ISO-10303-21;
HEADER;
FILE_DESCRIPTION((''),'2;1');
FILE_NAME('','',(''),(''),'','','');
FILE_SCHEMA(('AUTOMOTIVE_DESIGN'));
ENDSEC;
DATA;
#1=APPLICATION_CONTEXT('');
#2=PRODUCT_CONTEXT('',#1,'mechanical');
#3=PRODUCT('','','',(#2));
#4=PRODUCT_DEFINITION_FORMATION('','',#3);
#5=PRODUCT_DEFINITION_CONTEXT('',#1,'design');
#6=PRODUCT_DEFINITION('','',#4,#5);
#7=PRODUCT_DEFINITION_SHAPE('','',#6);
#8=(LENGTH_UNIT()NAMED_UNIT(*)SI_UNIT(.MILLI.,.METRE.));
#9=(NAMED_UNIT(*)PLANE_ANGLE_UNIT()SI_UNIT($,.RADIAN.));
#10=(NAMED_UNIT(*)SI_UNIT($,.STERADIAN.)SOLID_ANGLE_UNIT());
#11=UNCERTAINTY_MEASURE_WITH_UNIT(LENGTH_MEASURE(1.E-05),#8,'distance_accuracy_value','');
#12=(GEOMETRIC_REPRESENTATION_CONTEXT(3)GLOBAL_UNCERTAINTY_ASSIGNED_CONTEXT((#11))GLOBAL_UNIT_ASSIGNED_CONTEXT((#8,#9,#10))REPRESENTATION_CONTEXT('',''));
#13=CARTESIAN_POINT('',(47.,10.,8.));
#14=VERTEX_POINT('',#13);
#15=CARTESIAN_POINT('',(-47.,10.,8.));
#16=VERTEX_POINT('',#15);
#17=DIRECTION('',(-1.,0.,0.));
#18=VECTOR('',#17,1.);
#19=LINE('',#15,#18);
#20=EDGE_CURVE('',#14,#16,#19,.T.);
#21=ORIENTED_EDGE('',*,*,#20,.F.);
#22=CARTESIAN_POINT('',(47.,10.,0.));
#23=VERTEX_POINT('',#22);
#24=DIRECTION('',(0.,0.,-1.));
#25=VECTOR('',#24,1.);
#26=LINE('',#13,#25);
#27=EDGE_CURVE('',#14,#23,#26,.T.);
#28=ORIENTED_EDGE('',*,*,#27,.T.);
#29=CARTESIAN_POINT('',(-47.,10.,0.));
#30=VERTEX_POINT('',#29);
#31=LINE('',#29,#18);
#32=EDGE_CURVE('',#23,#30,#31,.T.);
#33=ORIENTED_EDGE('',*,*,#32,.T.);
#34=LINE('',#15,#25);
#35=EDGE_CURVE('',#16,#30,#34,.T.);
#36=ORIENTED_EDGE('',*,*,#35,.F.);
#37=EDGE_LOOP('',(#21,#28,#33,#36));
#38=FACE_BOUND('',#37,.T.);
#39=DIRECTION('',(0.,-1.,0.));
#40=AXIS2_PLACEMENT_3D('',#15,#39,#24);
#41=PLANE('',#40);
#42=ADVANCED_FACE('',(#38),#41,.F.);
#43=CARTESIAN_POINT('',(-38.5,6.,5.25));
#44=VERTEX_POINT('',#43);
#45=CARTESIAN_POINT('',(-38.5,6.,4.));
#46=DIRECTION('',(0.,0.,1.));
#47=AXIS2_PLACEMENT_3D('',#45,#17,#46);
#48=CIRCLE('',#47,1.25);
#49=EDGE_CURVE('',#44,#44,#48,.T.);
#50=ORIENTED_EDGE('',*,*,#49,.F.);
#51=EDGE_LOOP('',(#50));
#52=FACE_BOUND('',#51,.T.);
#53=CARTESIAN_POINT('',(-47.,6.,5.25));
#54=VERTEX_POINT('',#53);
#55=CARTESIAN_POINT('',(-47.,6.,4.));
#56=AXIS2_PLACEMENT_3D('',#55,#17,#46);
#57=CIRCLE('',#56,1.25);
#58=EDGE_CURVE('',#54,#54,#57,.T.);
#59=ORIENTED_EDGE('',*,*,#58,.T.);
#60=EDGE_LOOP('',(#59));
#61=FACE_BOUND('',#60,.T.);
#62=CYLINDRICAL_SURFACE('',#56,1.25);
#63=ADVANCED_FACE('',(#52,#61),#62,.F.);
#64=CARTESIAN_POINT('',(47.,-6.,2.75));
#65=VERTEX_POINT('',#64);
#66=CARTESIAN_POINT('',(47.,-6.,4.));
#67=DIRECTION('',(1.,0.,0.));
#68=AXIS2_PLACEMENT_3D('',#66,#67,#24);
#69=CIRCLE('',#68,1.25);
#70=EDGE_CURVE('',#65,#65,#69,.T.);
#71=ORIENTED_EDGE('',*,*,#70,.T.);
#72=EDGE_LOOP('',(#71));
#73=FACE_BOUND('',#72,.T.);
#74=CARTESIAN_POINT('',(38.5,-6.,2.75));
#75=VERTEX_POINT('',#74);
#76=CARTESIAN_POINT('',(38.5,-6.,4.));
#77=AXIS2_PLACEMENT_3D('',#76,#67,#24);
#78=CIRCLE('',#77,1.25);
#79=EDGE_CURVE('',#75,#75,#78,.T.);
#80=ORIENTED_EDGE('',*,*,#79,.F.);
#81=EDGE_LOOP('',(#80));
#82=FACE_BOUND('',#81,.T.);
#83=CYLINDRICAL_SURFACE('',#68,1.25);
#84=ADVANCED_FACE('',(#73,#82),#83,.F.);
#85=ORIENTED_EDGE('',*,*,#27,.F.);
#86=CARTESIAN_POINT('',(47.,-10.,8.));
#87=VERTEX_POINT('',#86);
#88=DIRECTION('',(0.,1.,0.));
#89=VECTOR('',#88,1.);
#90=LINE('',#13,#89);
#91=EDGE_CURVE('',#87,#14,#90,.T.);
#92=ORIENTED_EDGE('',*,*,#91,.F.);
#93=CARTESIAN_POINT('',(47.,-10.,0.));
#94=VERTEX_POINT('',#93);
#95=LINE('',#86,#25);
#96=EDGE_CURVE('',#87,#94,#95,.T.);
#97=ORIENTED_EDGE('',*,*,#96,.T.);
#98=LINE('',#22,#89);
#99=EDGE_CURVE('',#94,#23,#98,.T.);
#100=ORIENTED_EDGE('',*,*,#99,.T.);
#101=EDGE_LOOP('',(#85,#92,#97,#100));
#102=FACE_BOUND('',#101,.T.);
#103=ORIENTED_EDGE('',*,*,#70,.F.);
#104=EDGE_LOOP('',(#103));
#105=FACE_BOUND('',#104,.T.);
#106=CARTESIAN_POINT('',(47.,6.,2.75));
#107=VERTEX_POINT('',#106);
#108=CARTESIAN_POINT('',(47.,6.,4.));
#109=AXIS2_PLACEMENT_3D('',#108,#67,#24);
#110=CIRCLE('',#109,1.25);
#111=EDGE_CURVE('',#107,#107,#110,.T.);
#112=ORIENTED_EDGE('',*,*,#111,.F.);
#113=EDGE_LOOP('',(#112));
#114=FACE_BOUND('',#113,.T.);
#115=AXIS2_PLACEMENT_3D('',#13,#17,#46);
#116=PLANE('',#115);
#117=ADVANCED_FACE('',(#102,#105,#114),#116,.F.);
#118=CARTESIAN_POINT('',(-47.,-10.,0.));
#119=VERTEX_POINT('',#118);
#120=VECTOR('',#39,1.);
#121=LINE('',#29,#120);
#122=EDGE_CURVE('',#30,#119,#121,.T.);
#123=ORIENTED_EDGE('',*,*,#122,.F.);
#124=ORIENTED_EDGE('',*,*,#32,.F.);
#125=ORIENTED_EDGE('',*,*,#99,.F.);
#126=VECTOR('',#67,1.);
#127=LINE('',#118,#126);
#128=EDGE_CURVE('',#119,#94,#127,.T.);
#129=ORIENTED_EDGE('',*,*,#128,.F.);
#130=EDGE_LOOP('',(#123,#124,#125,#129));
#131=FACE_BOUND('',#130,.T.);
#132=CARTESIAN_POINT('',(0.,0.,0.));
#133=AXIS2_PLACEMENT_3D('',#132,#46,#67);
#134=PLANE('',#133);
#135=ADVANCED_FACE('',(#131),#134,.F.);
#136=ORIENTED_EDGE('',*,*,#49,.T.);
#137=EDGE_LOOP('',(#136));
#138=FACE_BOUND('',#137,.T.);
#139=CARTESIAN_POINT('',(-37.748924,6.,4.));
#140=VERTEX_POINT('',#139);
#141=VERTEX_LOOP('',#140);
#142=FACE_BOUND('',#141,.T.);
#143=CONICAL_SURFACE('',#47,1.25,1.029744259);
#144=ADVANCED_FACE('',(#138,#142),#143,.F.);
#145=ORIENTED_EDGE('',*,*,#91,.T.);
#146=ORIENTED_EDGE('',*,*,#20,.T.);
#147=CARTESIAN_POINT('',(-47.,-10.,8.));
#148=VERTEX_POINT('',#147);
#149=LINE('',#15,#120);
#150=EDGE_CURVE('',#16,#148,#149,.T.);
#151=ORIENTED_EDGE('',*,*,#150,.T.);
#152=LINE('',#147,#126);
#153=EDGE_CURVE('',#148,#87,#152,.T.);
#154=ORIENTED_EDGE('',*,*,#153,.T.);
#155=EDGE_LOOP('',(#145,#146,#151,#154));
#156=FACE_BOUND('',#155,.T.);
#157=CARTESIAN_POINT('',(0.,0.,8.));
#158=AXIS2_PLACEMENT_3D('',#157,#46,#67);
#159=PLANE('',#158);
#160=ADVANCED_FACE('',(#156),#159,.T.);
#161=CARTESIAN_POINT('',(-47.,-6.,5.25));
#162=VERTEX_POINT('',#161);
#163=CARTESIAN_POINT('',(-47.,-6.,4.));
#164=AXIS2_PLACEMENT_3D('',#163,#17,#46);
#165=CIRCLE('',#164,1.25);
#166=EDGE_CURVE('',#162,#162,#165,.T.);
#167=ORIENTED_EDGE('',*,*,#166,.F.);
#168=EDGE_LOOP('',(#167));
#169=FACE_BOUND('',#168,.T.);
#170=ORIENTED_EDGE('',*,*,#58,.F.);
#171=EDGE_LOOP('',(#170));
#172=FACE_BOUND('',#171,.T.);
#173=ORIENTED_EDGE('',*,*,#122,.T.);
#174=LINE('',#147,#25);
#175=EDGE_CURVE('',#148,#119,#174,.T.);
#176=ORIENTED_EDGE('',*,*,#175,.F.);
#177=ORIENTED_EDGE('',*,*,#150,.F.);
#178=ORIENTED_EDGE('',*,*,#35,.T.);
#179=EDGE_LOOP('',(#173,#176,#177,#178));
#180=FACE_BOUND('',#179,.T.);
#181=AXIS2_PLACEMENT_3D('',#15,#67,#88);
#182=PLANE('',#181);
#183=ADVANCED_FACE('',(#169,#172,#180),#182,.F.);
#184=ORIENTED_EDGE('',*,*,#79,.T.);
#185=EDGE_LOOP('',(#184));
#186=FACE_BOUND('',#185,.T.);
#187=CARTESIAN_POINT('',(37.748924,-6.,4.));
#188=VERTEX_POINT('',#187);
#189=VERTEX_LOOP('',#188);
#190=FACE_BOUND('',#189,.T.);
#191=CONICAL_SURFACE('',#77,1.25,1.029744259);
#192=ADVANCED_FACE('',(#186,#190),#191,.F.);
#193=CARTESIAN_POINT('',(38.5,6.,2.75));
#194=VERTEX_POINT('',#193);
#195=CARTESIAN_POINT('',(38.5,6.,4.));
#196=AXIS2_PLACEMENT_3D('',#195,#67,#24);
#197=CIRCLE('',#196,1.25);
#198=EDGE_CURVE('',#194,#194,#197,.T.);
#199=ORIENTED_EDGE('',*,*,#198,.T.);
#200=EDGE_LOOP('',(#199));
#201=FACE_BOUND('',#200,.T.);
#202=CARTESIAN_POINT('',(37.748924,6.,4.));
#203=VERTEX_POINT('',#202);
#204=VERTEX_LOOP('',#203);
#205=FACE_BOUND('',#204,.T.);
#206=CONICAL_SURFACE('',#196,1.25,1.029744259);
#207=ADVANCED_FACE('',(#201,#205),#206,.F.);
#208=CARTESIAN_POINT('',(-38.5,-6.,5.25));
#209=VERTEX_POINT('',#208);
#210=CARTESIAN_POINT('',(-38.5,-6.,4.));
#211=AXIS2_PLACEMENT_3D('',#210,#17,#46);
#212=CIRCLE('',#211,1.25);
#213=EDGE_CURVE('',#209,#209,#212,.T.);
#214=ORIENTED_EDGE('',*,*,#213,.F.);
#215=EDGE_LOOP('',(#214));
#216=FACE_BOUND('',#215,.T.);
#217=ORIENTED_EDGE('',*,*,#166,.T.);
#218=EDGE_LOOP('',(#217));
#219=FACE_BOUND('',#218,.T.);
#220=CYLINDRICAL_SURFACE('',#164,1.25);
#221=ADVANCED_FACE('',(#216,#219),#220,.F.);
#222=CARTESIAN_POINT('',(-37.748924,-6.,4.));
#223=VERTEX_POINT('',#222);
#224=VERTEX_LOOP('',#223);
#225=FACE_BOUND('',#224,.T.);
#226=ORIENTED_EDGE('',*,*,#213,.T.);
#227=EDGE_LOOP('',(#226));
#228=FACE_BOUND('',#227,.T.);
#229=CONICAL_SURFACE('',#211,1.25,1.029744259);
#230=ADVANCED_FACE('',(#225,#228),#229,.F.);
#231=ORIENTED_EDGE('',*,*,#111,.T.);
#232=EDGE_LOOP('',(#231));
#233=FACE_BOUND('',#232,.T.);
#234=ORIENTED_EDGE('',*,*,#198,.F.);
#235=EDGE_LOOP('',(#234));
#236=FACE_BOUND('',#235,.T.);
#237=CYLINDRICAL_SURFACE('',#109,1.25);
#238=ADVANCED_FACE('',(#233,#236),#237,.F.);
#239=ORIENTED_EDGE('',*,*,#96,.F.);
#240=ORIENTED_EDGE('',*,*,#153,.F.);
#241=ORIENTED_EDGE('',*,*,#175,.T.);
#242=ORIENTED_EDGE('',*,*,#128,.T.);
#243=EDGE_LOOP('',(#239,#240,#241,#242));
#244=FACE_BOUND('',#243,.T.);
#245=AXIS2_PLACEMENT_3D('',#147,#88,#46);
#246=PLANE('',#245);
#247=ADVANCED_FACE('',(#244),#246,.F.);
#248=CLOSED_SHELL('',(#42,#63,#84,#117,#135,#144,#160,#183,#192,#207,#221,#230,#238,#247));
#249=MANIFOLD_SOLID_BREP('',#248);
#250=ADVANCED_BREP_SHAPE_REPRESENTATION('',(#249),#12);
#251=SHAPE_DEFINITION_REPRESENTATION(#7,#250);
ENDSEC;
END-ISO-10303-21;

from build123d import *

# Parameters (mm, degrees)
SKETCH_1_W                      = 94
SKETCH_1_H                      = 20
EXTRUDE_1_DEPTH                 = 8
M3_HORIZONTALBAR_FIX_AT_2_COUNT = 2
M3_HORIZONTALBAR_FIX_AT_2_PITCH = 12


with BuildPart() as part:
    # 스케치1 → 보스-돌출1 (new body)
    with BuildSketch(Plane.XY):
        Rectangle(SKETCH_1_W, SKETCH_1_H)
    extrude(amount=EXTRUDE_1_DEPTH)

    # 스케치5 → M3-HORIZONTALBAR_FIX (revolve, cut)
    with BuildSketch(Plane(origin=(47, 6, 4), x_dir=(0, 0, -1), z_dir=(0, 1, 0))):
        Polygon((0, 0), (0, 9.251075774), (1.25, 8.5), (1.25, 0), align=None)
    m3_horizontalbar_fix = revolve(axis=Axis((53.35, 6, 4), (-1, 0, 0)), mode=Mode.SUBTRACT)

    # M3-HORIZONTALBAR_FIX at 2: M3-HORIZONTALBAR_FIX ×2
    with Locations(*[(0, -i * M3_HORIZONTALBAR_FIX_AT_2_PITCH, 0) for i in range(1, M3_HORIZONTALBAR_FIX_AT_2_COUNT)]):
        add(m3_horizontalbar_fix, mode=Mode.SUBTRACT)

    # 대칭 복사1: M3-HORIZONTALBAR_FIX across plane
    add(m3_horizontalbar_fix.mirror(Plane(origin=(0, 0, 0), x_dir=(0, 0, 1), z_dir=(1, 0, 0))), mode=Mode.SUBTRACT)

    # 대칭 복사1 copy 1 sketch → 대칭 복사1 copy 1 (revolve, cut)
    with BuildSketch(Plane(origin=(-47, -6, 4), x_dir=(0, 0, -1), z_dir=(0, 1, 0))):
        Polygon((0, 0), (0, -9.251075774), (1.25, -8.5), (1.25, 0), align=None)
    revolve(axis=Axis((-53.35, -6, 4), (-1, 0, 0)), mode=Mode.SUBTRACT)


solid = part.part
